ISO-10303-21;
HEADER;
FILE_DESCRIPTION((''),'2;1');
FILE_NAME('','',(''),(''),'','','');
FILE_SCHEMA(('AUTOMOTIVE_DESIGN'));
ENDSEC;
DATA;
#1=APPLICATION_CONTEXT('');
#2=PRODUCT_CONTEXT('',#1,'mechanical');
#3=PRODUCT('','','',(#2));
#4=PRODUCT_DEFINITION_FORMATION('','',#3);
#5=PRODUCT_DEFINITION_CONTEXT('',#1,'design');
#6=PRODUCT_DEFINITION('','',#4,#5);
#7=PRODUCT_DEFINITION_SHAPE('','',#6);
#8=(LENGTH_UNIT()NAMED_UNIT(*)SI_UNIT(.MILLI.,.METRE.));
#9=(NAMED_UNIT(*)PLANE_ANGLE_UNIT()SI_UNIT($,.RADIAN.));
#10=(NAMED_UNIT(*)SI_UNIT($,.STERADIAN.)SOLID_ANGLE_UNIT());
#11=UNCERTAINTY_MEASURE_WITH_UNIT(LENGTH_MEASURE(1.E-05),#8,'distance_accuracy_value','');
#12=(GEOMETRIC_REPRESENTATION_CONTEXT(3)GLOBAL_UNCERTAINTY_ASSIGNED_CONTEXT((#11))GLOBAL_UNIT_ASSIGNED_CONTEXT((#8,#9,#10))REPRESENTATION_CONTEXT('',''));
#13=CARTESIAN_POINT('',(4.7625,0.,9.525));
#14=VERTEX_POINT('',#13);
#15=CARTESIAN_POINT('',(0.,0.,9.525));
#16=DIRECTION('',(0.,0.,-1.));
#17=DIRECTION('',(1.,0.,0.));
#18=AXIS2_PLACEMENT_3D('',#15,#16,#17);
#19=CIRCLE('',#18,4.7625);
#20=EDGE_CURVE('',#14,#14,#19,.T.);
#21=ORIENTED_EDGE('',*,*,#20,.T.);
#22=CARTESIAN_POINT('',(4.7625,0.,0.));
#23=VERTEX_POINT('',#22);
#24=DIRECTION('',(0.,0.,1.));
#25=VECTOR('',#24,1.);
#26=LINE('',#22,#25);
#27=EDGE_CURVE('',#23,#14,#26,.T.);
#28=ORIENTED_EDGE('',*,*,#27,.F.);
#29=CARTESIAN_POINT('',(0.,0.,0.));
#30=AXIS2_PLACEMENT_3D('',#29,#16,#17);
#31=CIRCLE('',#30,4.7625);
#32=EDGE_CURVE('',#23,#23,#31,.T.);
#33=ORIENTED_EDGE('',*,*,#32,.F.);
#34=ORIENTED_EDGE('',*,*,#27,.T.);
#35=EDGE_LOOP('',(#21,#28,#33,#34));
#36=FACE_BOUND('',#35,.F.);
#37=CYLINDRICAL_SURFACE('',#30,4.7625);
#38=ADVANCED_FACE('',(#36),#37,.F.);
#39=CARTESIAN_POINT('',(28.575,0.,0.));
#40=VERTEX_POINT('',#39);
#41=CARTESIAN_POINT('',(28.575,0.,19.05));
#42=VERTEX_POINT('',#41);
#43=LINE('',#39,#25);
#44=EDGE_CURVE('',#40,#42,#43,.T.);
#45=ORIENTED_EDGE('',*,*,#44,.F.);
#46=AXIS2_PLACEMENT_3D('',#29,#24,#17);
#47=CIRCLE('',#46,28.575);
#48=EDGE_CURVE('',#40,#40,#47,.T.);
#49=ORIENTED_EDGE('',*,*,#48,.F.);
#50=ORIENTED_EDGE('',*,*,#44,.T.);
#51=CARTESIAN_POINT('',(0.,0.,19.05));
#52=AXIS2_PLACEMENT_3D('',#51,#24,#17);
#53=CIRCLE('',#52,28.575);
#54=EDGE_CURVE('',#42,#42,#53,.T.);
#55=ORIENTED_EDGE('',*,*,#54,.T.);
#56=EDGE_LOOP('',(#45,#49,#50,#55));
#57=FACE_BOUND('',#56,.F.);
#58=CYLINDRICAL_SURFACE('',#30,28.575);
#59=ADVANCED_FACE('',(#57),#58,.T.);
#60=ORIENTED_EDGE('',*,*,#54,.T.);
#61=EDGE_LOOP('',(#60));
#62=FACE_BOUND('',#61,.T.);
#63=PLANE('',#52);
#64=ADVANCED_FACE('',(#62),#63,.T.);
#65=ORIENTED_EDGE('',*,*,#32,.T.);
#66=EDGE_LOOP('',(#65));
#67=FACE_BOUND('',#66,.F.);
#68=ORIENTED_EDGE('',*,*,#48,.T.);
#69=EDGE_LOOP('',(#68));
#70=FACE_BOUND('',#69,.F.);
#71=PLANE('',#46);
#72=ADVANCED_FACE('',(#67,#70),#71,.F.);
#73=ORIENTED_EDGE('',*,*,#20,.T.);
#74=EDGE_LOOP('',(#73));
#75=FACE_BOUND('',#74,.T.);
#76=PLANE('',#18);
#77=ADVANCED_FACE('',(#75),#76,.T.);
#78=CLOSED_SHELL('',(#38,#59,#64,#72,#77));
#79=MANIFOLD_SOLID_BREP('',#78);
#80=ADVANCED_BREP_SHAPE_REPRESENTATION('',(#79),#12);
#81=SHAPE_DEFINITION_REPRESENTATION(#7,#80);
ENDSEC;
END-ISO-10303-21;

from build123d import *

# Parameters (mm, degrees)
F0_R     = 28.575
F1_DEPTH = 19.05
F2_R     = 4.7625
F3_DEPTH = 9.525
F4_R     = 4.7625
F5_DEPTH = 9.525


with BuildPart() as f1:
    # F0 (on Top) → F1 (new body)
    with BuildSketch(Plane.XY):
        Circle(F0_R)
    extrude(amount=F1_DEPTH)

    # F2 (on Top) → F3 (join)
    with BuildSketch(Plane.XY):
        Circle(F2_R)
    extrude(amount=F3_DEPTH)

    # F4 (on face) → F5 (cut)
    with BuildSketch(Plane(origin=(0, 0, 0), x_dir=(1, 0, 0), z_dir=(0, 0, -1))):
        Circle(F4_R)
    extrude(amount=-F5_DEPTH, mode=Mode.SUBTRACT)


solid = f1.part
